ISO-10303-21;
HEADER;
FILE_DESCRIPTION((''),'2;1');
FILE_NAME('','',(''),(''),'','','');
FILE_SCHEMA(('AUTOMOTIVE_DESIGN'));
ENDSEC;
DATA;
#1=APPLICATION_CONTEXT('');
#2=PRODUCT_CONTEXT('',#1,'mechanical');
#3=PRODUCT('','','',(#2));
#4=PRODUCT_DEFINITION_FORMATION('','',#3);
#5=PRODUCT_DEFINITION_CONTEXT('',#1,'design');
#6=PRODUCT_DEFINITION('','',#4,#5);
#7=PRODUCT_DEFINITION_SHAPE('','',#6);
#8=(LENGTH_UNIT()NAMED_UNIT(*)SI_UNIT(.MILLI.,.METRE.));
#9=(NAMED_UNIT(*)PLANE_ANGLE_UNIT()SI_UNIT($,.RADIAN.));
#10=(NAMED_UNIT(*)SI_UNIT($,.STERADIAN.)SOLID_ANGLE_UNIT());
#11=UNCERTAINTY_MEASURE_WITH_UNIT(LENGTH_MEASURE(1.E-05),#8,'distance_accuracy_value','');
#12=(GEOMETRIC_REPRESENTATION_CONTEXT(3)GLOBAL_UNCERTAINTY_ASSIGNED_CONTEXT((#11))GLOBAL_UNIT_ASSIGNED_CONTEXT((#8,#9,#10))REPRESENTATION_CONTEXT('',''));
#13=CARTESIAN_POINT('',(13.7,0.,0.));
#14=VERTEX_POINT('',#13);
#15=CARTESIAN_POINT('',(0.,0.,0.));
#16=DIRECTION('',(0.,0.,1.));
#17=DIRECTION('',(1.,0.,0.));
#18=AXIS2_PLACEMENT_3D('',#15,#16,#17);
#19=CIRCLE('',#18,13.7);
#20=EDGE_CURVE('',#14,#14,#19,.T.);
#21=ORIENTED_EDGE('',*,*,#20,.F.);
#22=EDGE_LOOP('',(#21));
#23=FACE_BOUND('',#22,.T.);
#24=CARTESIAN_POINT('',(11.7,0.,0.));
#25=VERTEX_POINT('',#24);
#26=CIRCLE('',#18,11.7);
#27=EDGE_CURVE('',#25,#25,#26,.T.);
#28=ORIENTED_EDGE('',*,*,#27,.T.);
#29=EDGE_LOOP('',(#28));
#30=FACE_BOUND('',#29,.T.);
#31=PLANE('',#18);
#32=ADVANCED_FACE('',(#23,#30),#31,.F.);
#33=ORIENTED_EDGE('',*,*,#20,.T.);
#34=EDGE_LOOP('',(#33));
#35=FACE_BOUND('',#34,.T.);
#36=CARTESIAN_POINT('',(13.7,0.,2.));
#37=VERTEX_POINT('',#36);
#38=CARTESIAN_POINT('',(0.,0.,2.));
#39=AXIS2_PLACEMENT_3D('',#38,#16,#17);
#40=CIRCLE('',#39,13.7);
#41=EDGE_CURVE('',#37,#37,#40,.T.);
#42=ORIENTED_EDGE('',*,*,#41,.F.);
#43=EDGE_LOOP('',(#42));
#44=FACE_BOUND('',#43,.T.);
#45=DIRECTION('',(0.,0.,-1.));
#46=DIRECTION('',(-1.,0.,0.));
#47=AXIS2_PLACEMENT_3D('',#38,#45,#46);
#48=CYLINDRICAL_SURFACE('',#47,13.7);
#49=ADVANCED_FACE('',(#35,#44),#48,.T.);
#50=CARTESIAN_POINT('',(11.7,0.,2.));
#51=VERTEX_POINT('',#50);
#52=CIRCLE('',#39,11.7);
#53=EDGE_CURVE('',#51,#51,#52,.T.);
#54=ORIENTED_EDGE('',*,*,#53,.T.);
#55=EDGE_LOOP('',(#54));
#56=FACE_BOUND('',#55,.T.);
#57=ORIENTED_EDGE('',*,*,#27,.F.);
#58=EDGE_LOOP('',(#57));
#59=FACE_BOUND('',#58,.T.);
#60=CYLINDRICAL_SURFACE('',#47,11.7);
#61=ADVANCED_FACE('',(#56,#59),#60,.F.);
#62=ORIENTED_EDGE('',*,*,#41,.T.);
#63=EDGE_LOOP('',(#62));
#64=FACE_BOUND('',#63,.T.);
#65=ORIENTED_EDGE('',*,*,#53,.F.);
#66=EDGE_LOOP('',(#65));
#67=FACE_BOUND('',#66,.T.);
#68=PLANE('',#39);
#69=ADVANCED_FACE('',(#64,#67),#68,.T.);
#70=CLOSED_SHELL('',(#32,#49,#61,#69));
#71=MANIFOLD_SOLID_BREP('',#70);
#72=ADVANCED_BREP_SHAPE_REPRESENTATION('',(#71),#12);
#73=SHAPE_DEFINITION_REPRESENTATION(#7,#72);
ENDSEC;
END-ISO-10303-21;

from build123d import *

# Parameters (mm, degrees)
ESQUISSE1_R          = 13.7
ESQUISSE1_R_2        = 11.7
BASE_EXTRUSION_DEPTH = 2


with BuildPart() as part:
    # Esquisse1 → Base-Extrusion (new body)
    with BuildSketch(Plane.XY):
        Circle(ESQUISSE1_R)
        Circle(ESQUISSE1_R_2, mode=Mode.SUBTRACT)
    extrude(amount=BASE_EXTRUSION_DEPTH)


solid = part.part
